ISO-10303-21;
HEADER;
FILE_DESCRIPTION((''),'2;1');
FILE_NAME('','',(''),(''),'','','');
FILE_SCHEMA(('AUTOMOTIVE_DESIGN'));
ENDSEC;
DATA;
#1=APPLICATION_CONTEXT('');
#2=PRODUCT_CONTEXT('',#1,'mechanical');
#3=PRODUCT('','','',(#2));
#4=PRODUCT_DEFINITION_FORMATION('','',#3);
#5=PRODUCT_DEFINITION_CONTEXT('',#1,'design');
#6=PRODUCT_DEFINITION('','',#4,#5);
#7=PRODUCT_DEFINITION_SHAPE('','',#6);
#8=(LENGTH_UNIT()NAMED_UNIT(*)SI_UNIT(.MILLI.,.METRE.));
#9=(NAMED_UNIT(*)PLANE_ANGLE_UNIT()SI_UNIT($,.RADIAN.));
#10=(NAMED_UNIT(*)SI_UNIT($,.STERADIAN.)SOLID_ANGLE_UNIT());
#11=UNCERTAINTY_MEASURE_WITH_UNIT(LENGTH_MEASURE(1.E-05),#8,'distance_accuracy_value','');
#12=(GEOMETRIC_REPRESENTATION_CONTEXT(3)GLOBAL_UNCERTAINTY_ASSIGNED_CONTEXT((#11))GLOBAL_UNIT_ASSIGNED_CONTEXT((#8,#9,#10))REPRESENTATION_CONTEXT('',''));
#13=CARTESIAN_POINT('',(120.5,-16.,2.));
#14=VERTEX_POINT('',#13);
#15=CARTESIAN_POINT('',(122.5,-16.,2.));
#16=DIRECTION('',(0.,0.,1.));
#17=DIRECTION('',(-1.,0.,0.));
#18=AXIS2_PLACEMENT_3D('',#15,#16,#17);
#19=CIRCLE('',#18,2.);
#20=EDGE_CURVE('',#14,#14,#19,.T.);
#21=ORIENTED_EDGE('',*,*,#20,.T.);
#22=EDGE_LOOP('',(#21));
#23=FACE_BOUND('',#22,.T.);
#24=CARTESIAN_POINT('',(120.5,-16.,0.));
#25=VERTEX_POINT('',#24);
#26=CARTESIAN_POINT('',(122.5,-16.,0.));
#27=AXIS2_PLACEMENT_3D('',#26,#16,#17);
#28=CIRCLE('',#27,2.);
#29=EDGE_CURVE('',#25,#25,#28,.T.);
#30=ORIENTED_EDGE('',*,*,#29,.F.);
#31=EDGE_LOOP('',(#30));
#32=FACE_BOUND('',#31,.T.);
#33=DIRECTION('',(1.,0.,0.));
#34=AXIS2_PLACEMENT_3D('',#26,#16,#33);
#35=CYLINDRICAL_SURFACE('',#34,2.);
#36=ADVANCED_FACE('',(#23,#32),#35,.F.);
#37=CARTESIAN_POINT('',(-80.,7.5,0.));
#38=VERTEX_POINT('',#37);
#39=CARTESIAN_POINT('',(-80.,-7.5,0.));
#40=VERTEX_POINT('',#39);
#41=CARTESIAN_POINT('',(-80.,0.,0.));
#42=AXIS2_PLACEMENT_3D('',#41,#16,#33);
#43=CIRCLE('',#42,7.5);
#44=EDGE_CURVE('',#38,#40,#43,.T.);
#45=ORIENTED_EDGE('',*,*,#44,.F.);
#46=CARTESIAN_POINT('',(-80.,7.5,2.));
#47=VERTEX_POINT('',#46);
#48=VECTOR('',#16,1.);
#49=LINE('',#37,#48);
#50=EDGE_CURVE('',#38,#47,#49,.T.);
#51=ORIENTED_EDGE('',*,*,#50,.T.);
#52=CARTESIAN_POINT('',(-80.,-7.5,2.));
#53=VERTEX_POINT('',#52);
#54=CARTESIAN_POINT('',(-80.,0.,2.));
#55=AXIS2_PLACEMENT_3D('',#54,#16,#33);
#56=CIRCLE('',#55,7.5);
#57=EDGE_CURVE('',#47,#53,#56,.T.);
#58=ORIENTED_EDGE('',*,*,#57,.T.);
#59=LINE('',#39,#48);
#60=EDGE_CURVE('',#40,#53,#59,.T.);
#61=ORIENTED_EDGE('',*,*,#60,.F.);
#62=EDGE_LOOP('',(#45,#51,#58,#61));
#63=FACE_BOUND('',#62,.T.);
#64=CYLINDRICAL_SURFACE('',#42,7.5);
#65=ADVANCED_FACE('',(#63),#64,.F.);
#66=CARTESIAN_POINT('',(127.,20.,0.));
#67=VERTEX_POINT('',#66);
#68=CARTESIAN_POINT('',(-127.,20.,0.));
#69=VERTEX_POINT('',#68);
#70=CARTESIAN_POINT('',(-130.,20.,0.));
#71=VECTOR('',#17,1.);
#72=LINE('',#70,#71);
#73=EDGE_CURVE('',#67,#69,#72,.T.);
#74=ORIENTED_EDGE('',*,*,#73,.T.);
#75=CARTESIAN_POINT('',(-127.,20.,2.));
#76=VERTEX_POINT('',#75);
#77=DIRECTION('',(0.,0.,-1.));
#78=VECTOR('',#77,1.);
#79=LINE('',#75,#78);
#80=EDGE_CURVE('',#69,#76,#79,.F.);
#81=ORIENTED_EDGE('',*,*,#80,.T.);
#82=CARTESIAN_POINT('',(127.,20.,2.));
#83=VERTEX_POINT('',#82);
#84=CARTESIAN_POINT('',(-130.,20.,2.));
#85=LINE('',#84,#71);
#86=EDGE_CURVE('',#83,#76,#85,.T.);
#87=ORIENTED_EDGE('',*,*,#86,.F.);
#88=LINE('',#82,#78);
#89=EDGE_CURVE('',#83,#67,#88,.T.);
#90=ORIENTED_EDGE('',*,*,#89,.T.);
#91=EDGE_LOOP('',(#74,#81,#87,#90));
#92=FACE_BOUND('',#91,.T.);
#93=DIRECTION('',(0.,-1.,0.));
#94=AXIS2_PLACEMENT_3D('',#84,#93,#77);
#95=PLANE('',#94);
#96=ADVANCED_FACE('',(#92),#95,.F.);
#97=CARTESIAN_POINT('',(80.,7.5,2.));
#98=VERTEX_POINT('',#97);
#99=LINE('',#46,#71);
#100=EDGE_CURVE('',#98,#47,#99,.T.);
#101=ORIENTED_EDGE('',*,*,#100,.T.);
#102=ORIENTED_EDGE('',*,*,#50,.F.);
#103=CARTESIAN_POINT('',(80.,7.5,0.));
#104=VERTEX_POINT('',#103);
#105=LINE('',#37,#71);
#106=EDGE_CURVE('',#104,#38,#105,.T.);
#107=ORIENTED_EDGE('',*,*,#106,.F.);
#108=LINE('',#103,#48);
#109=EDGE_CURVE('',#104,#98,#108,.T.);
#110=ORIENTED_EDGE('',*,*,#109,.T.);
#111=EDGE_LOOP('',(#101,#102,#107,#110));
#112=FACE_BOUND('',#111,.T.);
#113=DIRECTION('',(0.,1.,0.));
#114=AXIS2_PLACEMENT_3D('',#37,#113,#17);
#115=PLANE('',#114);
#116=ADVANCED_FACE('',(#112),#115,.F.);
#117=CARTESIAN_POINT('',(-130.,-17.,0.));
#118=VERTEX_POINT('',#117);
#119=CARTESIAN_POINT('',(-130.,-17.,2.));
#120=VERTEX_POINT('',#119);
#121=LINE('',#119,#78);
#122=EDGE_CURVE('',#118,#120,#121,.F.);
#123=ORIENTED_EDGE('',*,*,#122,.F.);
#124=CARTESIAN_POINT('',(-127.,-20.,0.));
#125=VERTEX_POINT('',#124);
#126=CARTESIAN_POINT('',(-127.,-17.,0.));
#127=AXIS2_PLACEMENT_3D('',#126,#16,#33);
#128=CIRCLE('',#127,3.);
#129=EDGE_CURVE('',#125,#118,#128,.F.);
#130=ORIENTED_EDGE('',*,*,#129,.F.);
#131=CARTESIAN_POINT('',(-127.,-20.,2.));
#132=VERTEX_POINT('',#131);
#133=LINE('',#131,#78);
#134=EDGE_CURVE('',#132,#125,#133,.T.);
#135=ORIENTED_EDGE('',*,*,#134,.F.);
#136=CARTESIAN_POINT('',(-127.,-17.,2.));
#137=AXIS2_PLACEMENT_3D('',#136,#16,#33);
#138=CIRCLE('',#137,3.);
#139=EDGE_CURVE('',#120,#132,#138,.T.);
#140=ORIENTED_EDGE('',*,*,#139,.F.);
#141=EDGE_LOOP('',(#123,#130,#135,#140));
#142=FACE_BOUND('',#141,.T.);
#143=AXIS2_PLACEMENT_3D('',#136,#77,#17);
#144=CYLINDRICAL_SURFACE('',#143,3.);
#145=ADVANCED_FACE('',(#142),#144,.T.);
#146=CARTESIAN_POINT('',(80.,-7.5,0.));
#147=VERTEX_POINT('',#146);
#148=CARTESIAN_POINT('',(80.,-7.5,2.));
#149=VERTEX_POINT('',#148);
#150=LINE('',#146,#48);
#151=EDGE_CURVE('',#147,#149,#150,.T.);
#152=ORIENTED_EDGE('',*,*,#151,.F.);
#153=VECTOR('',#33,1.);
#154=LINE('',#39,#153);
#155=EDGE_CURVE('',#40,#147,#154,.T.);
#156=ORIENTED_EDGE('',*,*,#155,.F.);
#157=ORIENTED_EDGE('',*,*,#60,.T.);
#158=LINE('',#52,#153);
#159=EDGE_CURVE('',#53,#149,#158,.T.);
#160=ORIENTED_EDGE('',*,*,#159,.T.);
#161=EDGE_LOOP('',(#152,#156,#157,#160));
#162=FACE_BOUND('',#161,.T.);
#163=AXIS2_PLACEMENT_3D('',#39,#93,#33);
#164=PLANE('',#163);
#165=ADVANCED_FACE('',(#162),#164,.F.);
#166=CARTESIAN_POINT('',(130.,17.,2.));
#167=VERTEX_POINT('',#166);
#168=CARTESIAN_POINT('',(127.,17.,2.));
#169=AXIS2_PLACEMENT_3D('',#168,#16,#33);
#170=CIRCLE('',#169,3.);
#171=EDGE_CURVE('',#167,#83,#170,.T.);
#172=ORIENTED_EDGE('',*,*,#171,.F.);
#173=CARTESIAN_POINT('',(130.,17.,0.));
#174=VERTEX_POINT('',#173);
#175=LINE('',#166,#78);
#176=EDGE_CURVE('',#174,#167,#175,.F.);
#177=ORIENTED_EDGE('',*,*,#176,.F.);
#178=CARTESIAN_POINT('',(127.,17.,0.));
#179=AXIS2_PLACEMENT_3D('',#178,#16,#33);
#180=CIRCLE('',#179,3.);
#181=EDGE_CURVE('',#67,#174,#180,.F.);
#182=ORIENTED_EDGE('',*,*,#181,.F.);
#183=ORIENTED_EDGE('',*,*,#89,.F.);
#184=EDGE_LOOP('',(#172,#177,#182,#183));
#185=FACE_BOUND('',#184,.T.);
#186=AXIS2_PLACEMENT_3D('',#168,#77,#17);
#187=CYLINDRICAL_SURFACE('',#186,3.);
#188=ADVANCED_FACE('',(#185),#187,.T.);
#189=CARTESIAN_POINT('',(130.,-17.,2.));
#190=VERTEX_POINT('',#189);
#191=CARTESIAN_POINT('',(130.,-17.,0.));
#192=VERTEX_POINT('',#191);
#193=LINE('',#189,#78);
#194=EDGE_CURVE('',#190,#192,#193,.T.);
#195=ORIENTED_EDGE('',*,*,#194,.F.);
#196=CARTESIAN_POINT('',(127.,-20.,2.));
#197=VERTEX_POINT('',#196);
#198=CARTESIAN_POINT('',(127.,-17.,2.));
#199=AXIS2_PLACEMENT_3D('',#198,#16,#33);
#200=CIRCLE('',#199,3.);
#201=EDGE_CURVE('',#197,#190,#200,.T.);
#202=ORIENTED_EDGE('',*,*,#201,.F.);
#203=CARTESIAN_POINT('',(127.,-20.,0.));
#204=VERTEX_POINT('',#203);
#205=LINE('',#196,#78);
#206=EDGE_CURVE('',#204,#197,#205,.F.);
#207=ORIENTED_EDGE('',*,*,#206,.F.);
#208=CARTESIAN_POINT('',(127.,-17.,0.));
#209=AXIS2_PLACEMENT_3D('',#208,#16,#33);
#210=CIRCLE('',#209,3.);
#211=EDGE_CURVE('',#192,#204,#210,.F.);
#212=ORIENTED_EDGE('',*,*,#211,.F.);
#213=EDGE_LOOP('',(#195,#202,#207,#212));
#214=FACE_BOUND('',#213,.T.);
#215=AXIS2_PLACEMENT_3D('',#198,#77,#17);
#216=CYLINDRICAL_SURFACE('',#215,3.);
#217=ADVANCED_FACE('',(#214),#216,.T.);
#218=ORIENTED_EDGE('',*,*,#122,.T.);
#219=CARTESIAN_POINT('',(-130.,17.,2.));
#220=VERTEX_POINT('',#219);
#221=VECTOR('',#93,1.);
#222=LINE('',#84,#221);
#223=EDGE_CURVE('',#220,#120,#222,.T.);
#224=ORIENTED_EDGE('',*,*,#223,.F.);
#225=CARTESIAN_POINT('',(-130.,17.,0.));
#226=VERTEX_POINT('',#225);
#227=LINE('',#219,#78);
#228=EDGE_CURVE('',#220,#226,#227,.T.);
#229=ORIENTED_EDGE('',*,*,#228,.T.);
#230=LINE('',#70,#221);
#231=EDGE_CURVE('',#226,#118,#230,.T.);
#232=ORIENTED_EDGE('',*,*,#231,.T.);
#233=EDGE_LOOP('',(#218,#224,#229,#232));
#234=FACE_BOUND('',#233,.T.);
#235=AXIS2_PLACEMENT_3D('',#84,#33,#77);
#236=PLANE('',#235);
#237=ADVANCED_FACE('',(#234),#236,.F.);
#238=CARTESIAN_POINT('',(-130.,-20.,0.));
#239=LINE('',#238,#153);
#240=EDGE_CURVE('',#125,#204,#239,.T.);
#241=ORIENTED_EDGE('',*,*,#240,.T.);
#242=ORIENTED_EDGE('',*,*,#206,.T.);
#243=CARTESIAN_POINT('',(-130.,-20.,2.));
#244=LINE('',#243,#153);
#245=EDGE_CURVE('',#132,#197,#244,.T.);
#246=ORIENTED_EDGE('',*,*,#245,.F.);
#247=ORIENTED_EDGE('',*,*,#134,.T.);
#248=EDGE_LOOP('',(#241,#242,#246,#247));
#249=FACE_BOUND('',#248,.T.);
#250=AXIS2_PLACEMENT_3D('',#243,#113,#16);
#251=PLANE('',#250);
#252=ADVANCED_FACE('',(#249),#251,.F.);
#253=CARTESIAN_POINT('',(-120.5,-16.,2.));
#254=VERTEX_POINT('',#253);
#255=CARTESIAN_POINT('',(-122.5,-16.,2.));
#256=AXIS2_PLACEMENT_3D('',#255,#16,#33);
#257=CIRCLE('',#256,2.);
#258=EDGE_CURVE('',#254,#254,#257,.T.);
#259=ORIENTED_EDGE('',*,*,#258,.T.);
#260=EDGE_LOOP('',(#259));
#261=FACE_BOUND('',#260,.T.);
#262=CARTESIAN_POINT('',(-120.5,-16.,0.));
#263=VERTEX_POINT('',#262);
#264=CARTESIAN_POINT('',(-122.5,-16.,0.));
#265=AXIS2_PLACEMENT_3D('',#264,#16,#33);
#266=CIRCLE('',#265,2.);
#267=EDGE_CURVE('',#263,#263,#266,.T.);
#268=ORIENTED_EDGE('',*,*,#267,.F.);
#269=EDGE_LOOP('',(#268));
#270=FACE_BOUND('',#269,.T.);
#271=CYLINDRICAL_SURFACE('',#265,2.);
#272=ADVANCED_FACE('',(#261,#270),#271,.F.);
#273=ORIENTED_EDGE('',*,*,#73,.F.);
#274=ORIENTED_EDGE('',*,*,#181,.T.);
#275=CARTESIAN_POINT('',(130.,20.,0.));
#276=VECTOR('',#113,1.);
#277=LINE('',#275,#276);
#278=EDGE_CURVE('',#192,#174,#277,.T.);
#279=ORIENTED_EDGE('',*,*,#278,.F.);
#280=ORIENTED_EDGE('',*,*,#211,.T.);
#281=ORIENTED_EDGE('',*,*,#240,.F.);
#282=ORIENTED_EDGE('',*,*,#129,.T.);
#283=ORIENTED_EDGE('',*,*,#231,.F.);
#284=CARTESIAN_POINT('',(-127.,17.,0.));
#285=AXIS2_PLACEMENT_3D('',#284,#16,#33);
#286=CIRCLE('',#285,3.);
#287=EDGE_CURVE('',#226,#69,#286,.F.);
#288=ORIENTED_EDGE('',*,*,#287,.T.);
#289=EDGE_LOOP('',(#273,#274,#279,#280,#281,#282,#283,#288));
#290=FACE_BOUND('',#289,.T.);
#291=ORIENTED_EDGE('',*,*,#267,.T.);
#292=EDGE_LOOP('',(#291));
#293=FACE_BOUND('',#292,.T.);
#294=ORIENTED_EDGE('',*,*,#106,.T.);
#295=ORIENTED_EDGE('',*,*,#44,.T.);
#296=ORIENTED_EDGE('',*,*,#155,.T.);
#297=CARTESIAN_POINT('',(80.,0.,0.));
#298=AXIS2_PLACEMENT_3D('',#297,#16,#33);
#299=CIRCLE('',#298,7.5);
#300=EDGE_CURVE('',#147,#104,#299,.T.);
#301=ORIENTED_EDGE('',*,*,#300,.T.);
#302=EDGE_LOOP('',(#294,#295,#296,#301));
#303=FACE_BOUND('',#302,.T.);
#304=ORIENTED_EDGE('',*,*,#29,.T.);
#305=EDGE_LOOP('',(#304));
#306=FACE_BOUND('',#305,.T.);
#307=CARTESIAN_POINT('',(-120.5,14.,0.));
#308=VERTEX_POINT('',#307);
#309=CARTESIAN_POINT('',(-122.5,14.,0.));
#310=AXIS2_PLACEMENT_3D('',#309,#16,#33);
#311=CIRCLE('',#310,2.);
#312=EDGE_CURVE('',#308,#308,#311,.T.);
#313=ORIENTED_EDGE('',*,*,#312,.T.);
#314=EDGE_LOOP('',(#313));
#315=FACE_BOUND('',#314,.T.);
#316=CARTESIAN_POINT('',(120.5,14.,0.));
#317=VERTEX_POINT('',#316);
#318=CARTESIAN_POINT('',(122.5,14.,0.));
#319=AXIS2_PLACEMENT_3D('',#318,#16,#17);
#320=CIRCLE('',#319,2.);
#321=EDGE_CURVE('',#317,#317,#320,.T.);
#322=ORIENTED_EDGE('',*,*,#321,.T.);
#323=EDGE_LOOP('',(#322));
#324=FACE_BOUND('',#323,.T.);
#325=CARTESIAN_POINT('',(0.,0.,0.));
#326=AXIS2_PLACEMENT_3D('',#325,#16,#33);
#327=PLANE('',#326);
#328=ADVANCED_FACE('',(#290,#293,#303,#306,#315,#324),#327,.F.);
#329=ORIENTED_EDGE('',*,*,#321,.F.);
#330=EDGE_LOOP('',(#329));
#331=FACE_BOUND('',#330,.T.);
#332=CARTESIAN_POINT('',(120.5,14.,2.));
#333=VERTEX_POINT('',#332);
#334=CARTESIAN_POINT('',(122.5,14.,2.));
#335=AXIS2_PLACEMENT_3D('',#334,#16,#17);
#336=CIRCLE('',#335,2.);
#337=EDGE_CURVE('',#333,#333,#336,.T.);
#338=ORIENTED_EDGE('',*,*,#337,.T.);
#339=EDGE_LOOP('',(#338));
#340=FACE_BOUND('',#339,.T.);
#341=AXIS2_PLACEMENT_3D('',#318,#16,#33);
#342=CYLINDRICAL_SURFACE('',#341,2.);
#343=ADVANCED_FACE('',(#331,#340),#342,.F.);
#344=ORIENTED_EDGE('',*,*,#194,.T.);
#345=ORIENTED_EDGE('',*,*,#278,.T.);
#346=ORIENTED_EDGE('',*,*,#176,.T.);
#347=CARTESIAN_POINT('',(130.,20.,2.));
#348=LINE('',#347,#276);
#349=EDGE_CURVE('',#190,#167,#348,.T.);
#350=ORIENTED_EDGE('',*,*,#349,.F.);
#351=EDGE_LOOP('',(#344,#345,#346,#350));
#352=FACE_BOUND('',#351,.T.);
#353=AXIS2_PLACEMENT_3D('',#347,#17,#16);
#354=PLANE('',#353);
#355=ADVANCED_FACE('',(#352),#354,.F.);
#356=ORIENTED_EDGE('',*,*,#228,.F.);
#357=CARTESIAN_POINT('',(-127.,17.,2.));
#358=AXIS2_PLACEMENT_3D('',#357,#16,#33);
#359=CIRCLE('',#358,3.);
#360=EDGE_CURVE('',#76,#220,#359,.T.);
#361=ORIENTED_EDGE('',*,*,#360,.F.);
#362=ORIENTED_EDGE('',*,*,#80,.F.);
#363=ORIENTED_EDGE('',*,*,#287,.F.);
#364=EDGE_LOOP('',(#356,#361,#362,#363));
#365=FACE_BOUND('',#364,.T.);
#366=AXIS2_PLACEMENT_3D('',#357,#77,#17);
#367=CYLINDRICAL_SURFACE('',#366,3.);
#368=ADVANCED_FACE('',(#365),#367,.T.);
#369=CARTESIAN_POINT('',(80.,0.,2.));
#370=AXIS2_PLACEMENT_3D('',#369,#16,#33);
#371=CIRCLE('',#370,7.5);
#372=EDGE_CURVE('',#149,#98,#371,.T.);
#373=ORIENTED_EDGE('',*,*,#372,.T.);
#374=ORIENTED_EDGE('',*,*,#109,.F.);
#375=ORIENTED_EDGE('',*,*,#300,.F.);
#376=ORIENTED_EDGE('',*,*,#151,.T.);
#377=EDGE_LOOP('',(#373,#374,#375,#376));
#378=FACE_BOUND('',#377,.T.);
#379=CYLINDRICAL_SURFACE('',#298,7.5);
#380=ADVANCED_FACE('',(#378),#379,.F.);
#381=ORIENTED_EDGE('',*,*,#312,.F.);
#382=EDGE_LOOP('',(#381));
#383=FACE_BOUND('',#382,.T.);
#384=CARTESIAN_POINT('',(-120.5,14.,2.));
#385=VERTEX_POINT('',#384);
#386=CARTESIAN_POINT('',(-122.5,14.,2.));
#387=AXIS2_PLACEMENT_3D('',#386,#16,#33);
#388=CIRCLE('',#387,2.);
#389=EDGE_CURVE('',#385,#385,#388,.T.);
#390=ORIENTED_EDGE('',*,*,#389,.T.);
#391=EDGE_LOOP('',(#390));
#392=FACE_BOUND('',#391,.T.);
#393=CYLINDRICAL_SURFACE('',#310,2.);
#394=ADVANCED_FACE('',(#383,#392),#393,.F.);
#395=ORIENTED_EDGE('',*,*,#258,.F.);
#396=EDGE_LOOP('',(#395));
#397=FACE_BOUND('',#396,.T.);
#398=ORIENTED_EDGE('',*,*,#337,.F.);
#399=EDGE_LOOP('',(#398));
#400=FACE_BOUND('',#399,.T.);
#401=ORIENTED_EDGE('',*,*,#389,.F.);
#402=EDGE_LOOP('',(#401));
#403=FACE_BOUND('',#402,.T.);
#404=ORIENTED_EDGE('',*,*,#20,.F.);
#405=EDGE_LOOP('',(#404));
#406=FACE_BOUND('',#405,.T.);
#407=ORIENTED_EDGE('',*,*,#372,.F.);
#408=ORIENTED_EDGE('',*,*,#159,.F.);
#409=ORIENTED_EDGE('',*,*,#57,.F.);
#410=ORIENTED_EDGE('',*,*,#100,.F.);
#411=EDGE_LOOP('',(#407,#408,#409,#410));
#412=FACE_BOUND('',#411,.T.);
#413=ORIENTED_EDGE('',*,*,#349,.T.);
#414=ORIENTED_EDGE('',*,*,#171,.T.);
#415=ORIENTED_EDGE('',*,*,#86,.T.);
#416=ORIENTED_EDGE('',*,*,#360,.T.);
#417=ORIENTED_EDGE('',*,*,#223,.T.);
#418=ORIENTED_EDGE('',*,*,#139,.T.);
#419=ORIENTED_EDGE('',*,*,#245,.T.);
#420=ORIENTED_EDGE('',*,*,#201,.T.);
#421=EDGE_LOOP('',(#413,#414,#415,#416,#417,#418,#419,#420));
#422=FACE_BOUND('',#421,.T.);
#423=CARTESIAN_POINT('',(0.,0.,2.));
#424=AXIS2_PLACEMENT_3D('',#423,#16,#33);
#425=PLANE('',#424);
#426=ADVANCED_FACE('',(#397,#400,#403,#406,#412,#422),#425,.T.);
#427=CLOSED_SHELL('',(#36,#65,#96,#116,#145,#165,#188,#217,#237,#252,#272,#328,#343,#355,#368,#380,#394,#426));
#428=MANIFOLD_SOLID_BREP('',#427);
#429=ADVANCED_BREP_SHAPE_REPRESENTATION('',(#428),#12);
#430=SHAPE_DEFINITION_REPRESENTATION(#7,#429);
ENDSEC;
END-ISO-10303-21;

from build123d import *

# Parameters (mm, degrees)
SKETCH_1_W          = 260
SKETCH_1_H          = 40
EXTRUDE_1_DEPTH     = 2
SKETCH_3_R          = 2
CUT_EXTRUDE_2_DEPTH = 2
CUT_EXTRUDE_3_DEPTH = 132.544669219
FILLET_1_R          = 3


with BuildPart() as part:
    # 草图1 → 凸台-拉伸1 (new body)
    with BuildSketch(Plane.XY):
        Rectangle(SKETCH_1_W, SKETCH_1_H)
    extrude(amount=EXTRUDE_1_DEPTH)

    # 草图3 → 切除-拉伸2 (cut)
    with BuildSketch(Plane.XY.offset(2)):
        with Locations((-122.5, 14)):
            Circle(SKETCH_3_R)
        with Locations((-122.5, -16)):
            Circle(SKETCH_3_R)
        with Locations(Location((122.5, -16, 0), (0, 0, 180))):
            Circle(SKETCH_3_R)
        with Locations(Location((122.5, 14, 0), (0, 0, 180))):
            Circle(SKETCH_3_R)
    extrude(amount=-CUT_EXTRUDE_2_DEPTH, mode=Mode.SUBTRACT)

    # 草图4 → 切除-拉伸3 (cut, through all)
    with BuildSketch(Plane.XY.offset(2)):
        with BuildLine():
            Line((-80, 7.5), (80, 7.5))
            ThreePointArc((80, 7.5), (87.5, 0), (80, -7.5))
            Line((80, -7.5), (-80, -7.5))
            ThreePointArc((-80, -7.5), (-87.5, 0), (-80, 7.5))
        make_face()
    extrude(amount=-CUT_EXTRUDE_3_DEPTH, mode=Mode.SUBTRACT)

    # 圆角1
    fillet_1_edges = [part.edges().sort_by_distance(p)[0] for p in [
        (130, -20, 1),
        (-130, -20, 1),
        (-130, 20, 1),
        (130, 20, 1),
    ]]
    fillet(fillet_1_edges, radius=FILLET_1_R)


solid = part.part
